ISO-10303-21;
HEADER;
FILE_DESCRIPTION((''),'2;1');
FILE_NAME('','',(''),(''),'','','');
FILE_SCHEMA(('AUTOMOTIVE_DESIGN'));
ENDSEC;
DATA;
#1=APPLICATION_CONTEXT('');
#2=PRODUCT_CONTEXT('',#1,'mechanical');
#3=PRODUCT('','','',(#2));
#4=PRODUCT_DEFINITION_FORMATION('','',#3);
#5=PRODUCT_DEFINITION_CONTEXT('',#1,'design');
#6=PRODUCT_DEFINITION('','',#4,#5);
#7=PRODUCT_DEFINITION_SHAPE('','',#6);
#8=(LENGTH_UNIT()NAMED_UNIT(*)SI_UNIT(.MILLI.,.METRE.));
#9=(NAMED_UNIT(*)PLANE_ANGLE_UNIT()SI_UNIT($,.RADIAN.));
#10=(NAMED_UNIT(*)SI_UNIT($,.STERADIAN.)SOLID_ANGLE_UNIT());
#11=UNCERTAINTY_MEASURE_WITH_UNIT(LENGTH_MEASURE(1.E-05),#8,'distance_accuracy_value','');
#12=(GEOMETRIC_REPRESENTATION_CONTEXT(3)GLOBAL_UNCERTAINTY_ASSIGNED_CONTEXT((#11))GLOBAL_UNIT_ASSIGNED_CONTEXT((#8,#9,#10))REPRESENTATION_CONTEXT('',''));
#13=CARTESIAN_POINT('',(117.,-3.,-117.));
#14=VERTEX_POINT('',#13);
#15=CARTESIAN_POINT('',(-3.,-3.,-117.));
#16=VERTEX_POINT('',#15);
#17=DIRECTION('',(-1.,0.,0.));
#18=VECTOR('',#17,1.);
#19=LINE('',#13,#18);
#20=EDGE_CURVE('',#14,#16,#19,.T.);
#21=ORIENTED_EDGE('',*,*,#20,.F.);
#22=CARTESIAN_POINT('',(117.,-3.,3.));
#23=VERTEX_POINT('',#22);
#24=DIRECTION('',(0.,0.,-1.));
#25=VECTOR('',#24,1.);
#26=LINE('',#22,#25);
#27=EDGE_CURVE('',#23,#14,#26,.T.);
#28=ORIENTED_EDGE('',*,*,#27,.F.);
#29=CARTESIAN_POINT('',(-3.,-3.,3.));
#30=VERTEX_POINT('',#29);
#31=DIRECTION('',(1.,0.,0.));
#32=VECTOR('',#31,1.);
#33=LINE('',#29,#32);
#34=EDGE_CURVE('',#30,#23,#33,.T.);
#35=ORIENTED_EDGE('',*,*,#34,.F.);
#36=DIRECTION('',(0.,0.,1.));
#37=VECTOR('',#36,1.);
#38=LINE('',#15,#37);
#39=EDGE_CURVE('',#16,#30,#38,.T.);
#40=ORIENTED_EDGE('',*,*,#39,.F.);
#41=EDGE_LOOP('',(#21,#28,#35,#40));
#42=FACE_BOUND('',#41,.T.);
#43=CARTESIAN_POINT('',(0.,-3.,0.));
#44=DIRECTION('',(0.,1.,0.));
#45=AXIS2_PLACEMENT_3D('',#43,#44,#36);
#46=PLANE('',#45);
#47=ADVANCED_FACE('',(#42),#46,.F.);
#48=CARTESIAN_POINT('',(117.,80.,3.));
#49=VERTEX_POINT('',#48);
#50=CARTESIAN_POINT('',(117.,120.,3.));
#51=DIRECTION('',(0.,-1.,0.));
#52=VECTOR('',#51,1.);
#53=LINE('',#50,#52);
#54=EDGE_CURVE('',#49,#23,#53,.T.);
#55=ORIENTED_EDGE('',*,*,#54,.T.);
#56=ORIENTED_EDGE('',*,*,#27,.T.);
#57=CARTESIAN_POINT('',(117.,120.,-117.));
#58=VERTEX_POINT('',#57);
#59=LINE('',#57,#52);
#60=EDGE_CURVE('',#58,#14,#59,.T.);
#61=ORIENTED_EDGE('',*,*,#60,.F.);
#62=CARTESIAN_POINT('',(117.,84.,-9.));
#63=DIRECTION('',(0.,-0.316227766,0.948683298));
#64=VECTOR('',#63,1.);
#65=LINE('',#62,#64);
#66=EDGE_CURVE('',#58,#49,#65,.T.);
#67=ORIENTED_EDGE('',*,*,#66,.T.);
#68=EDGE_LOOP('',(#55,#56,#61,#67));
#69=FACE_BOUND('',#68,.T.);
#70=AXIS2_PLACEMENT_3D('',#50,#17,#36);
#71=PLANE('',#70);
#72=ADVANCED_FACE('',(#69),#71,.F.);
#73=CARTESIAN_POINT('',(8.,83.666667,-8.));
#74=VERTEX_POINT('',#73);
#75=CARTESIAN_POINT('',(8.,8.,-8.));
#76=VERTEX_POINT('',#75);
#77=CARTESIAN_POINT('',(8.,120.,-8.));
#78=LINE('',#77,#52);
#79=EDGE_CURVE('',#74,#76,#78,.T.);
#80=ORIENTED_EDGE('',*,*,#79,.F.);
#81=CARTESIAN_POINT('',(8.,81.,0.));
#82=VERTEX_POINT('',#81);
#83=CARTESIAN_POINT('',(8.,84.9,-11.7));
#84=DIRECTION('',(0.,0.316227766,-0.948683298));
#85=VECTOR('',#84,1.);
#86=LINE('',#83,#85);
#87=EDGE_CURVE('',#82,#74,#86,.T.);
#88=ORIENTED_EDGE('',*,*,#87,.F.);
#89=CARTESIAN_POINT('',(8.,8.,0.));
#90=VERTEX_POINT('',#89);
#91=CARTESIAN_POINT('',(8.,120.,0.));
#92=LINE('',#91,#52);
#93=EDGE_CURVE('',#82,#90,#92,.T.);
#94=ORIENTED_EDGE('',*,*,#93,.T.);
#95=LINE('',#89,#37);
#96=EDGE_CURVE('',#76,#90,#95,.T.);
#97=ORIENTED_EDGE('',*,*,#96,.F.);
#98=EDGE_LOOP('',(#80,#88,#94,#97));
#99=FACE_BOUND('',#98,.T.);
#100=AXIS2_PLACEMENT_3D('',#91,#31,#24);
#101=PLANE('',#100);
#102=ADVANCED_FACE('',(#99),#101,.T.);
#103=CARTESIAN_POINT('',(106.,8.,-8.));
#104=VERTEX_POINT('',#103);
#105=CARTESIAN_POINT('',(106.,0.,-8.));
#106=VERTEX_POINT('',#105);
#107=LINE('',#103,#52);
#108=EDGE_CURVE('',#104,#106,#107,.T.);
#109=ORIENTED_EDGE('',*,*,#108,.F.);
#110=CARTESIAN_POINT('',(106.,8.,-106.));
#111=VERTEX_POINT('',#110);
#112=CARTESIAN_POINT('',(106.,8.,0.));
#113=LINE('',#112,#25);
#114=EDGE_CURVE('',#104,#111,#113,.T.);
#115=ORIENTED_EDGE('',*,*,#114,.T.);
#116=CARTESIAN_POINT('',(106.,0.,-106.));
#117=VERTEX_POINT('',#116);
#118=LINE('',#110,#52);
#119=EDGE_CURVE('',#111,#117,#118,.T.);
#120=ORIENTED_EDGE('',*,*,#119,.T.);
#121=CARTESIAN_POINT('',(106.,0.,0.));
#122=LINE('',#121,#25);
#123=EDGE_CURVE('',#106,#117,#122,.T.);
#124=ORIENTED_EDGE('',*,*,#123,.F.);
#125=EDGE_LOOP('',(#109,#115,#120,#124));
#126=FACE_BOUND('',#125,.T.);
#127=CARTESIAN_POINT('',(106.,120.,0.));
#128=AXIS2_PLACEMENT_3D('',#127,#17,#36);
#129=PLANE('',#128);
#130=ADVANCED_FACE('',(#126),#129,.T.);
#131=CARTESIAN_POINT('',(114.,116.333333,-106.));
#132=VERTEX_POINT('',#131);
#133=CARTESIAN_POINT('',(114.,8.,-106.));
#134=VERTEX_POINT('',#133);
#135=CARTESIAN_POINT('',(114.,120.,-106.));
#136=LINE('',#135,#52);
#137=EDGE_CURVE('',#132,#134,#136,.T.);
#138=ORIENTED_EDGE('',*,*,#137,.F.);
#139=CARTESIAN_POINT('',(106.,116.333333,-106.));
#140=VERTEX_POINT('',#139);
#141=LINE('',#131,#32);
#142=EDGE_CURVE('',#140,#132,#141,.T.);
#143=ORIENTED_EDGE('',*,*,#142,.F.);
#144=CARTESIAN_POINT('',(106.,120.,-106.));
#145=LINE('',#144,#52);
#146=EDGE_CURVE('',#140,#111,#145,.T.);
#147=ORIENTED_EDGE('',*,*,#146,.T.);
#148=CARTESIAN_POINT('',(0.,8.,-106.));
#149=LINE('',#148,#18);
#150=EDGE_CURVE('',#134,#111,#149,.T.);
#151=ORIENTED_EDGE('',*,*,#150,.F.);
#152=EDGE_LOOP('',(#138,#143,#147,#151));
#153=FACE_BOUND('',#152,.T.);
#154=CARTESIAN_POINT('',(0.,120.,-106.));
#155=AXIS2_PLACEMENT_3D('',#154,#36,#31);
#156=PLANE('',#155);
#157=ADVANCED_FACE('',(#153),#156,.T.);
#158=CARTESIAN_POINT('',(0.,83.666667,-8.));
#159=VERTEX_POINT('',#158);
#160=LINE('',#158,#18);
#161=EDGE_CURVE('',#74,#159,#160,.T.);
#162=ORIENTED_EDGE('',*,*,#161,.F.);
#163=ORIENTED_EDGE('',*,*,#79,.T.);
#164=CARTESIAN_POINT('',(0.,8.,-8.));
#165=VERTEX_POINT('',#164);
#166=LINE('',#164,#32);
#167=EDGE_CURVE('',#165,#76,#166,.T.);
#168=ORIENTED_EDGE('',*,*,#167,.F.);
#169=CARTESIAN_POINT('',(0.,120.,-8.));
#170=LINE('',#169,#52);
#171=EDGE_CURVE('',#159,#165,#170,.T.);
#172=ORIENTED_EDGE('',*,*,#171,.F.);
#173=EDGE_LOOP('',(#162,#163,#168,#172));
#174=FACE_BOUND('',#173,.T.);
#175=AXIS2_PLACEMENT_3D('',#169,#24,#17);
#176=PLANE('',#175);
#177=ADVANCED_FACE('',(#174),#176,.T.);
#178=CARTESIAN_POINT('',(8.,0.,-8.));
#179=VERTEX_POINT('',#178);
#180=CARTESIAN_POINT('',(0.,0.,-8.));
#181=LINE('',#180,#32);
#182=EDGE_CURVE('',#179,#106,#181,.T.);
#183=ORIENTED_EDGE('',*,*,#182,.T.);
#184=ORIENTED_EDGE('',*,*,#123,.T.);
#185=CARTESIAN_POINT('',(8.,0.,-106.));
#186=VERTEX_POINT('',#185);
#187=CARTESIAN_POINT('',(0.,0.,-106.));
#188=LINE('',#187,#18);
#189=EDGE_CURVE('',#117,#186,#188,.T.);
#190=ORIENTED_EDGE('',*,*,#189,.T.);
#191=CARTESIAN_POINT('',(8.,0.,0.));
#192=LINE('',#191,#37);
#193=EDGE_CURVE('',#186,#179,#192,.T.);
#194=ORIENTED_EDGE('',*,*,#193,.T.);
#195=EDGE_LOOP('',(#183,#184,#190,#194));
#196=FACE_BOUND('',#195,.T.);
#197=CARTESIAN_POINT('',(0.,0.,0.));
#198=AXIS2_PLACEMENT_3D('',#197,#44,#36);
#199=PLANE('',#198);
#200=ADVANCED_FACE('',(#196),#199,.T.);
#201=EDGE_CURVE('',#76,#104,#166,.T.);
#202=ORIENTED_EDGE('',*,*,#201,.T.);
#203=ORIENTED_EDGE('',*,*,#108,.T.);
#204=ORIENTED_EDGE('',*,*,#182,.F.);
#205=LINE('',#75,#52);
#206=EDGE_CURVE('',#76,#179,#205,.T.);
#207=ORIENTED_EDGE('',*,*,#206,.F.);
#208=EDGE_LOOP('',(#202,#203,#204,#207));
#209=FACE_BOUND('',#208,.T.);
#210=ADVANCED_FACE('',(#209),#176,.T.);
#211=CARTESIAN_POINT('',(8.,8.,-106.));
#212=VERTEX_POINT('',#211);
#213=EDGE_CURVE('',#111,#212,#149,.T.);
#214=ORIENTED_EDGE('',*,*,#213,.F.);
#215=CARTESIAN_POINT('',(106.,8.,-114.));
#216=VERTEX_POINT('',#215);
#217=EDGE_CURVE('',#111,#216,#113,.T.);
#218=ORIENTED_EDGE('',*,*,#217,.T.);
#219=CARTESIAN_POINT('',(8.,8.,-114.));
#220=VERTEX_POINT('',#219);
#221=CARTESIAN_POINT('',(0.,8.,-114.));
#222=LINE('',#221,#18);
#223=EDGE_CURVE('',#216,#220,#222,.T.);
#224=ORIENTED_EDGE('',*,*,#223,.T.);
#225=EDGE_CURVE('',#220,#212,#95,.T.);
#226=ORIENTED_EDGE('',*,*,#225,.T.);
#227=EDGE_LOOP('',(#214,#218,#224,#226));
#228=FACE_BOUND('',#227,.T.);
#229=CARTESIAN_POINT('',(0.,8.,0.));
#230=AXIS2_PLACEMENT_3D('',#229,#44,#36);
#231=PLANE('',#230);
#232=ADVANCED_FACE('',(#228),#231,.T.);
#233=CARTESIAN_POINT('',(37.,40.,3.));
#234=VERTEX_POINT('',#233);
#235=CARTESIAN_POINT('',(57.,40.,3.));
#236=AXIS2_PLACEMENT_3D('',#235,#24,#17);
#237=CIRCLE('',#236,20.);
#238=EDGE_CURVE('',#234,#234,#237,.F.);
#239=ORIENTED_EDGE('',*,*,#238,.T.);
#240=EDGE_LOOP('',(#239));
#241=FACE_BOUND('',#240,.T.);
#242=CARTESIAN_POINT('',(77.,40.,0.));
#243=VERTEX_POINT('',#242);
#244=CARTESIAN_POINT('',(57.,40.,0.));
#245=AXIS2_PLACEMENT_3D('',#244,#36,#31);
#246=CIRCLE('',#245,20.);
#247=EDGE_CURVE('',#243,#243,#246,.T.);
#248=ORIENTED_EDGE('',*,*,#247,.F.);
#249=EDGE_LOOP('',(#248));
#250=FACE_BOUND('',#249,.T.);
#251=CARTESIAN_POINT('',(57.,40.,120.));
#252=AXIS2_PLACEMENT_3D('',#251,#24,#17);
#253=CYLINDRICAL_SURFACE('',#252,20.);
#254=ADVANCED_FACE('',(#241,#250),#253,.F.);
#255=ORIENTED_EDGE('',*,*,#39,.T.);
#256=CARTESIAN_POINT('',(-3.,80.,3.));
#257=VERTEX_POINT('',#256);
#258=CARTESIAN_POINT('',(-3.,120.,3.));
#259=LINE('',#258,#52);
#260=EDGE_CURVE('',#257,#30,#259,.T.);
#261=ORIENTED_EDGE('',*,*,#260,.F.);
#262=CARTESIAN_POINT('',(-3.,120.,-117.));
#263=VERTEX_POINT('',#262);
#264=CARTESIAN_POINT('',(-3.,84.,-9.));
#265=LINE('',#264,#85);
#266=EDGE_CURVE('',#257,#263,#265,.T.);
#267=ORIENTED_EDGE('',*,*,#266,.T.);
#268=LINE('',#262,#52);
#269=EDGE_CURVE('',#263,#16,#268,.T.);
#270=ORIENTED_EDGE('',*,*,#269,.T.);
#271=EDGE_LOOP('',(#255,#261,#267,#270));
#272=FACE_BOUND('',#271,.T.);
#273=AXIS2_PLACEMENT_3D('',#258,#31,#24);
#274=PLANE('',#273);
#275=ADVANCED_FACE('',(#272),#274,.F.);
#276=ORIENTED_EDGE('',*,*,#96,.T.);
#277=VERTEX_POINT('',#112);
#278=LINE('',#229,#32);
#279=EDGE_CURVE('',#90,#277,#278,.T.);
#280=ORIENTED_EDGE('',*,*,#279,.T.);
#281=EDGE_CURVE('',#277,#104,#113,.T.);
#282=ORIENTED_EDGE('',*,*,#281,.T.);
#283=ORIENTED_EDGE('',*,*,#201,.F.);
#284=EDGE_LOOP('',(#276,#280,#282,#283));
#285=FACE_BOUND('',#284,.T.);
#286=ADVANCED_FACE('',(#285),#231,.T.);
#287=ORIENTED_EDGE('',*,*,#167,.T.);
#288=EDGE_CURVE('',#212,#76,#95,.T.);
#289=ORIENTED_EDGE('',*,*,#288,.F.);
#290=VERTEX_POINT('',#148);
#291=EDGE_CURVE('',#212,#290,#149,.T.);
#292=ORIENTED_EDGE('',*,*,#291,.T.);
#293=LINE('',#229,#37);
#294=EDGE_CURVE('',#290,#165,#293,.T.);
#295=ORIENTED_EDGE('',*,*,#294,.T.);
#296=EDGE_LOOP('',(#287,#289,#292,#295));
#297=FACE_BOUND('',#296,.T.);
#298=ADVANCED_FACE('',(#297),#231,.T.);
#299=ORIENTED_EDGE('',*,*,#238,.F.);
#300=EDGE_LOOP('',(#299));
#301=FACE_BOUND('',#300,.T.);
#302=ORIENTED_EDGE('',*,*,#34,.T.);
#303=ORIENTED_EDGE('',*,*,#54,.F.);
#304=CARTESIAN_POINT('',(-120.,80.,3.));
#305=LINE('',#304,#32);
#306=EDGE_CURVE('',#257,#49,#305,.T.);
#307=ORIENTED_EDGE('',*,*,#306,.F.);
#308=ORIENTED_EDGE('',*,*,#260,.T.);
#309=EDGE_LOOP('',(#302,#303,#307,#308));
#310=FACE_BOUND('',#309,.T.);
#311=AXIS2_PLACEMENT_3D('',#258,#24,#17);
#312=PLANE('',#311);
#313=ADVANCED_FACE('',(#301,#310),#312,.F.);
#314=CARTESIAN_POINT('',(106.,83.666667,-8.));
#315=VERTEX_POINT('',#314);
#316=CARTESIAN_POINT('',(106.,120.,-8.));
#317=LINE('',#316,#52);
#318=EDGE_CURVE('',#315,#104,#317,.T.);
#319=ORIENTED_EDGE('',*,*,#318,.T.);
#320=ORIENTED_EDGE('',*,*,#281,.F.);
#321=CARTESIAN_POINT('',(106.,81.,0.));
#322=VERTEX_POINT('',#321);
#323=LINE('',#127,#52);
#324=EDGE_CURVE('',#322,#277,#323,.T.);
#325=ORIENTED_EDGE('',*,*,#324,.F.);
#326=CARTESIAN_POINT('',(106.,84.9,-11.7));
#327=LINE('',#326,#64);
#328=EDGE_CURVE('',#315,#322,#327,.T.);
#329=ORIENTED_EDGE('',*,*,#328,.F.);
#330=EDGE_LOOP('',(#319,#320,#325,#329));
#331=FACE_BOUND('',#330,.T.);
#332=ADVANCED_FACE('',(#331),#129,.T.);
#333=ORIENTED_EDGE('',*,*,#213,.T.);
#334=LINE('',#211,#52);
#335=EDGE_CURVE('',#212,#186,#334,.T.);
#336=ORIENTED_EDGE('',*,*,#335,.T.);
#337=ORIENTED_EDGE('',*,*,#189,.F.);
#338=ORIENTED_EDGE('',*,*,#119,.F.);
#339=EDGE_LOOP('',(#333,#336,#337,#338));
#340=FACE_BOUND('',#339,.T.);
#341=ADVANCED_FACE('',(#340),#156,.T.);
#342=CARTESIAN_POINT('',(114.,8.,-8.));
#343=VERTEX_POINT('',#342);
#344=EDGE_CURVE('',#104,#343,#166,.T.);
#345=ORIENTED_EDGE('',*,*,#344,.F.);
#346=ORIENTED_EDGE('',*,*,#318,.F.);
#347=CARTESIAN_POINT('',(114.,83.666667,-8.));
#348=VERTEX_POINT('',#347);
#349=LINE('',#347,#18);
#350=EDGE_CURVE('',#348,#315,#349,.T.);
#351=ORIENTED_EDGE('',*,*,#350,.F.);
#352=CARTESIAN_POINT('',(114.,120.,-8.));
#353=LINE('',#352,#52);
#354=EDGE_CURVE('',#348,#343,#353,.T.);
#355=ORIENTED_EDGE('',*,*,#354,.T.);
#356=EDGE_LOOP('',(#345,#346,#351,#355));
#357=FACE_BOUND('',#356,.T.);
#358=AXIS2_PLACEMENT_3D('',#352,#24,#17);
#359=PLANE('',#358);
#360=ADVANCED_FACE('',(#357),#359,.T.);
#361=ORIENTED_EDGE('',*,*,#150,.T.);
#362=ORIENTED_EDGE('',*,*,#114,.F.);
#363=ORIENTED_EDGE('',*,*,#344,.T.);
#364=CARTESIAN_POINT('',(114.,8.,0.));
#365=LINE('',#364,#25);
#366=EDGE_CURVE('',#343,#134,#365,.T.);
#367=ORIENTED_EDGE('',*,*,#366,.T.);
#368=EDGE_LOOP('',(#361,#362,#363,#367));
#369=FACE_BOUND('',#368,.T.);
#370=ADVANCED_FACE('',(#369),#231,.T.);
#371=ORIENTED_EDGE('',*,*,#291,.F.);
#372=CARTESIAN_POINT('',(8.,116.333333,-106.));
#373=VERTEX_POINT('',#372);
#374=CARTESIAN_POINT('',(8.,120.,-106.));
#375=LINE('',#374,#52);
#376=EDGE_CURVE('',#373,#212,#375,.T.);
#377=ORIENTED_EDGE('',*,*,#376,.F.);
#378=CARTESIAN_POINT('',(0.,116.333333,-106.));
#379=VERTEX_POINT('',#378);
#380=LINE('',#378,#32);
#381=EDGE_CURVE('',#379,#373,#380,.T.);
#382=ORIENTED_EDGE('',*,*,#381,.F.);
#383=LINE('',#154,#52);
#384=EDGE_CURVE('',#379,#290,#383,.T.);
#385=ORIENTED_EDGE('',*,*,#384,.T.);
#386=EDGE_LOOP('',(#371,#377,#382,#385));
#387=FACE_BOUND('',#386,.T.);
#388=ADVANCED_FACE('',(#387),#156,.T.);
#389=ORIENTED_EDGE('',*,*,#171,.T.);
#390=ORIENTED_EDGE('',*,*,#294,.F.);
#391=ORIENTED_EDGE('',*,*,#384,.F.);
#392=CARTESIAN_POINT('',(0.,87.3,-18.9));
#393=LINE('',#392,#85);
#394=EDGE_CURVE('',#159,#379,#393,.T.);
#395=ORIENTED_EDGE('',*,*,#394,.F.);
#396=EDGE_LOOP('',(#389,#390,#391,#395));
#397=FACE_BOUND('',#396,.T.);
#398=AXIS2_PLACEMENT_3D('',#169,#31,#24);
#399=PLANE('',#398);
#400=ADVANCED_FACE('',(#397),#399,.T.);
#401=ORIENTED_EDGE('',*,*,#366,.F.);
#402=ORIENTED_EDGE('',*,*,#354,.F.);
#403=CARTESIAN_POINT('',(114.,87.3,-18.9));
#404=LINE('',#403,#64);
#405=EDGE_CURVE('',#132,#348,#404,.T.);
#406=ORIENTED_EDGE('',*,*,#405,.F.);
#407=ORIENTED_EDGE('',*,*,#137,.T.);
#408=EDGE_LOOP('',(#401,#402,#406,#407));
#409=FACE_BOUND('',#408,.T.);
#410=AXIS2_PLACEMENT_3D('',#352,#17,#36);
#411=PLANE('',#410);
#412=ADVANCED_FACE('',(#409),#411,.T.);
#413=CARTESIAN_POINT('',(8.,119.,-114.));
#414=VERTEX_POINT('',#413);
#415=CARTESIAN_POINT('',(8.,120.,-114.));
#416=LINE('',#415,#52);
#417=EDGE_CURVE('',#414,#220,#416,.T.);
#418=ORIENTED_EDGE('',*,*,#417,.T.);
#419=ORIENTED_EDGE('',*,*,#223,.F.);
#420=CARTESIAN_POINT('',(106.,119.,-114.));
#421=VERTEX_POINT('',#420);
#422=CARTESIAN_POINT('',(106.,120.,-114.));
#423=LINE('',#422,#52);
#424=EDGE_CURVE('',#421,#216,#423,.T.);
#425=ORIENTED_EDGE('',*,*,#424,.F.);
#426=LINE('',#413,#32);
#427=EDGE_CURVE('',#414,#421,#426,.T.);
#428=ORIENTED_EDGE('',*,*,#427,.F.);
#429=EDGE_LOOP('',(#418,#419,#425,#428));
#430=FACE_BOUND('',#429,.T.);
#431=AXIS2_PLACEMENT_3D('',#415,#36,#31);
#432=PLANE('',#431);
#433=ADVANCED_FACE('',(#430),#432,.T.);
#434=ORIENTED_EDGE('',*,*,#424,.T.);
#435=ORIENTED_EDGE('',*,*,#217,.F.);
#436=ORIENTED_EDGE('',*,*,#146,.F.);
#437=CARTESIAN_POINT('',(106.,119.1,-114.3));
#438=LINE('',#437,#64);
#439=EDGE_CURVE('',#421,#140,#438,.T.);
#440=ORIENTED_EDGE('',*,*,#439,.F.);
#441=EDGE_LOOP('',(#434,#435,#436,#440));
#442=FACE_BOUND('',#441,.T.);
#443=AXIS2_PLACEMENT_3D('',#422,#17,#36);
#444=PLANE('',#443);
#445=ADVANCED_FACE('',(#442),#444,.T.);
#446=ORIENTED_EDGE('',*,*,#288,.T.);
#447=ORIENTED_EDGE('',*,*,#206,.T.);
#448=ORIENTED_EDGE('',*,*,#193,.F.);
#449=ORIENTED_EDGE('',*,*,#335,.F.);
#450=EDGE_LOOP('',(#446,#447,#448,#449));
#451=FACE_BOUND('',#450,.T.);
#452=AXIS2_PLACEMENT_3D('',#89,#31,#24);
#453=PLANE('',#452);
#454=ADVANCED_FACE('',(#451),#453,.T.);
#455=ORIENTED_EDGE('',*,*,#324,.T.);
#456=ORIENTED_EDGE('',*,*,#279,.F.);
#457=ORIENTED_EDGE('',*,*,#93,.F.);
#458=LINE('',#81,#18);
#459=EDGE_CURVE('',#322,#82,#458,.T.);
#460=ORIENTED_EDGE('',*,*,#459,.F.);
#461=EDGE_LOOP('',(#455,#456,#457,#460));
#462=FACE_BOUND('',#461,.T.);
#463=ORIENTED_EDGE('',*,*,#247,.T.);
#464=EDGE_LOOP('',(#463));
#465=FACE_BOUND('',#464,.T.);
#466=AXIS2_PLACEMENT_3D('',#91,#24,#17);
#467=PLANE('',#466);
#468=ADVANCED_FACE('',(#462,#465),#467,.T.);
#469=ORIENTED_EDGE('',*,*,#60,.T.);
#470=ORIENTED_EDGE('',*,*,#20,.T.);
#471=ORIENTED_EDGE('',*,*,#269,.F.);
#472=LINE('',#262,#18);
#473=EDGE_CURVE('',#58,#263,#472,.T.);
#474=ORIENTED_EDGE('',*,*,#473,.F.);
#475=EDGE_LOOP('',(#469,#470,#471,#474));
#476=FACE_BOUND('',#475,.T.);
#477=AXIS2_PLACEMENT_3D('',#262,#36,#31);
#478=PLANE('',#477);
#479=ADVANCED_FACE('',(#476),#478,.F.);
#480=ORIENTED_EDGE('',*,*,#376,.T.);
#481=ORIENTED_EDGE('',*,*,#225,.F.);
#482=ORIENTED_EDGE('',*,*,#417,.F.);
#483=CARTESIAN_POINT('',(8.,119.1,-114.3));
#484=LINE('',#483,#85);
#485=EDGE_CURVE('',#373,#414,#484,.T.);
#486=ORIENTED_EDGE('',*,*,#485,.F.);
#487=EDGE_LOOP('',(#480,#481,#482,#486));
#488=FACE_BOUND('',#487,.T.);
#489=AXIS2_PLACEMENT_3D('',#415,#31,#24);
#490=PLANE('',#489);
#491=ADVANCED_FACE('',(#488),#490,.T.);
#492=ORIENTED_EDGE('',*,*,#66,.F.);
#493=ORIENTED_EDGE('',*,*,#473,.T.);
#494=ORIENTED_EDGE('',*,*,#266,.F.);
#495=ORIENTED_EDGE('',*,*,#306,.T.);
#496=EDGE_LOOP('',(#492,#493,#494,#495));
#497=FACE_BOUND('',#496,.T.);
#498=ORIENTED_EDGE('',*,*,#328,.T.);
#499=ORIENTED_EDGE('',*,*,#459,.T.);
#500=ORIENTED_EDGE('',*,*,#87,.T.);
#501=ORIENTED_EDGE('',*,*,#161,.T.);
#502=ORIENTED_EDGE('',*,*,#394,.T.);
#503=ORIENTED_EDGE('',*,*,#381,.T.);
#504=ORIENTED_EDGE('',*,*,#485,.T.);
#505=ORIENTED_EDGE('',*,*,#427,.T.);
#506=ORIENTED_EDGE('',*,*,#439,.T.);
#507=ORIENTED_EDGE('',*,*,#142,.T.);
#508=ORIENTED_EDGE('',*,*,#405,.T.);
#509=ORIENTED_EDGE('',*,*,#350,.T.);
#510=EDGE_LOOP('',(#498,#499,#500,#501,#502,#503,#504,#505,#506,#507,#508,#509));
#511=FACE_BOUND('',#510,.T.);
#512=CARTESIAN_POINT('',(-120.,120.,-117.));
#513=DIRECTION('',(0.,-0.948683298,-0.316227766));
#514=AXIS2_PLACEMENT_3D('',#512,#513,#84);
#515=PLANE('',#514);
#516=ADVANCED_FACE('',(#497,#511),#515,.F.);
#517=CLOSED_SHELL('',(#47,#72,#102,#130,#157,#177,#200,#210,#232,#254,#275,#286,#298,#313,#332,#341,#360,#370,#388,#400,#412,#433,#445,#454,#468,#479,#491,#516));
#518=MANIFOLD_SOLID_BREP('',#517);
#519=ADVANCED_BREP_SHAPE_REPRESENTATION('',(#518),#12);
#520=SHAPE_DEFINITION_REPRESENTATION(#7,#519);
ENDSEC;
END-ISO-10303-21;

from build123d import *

# Parameters (mm, degrees)
CROQUIS1_W                 = 120
CROQUIS1_H                 = 120
SALIENTE_EXTRUIR1_DEPTH    = 120
CORTAR_EXTRUIR1_DEPTH      = 120
CORTAR_EXTRUIR1_DEPTH_BACK = 120
CROQUIS3_R                 = 20
CORTAR_EXTRUIR2_DEPTH      = 120
CROQUIS4_W                 = 120
CROQUIS4_H                 = 120
SALIENTE_EXTRUIR2_DEPTH    = 3
CROQUIS4_3_W               = 98
CROQUIS4_3_H               = 8
CROQUIS4_3_W_2             = 8
CROQUIS4_3_H_2             = 98
SALIENTE_EXTRUIR3_DEPTH    = 8


with BuildPart() as part:
    # Croquis1 → Saliente-Extruir1 (new body)
    with BuildSketch(Plane(origin=(0, 0, 0), x_dir=(1, 0, 0), z_dir=(0, 1, 0))):
        with Locations((57, 57)):
            Rectangle(CROQUIS1_W, CROQUIS1_H)
        Polygon((8, 0), (106, 0), (106, 8), (114, 8), (114, 106), (106, 106), (106, 114), (8, 114), (8, 106), (0, 106), (0, 8), (8, 8), align=None, mode=Mode.SUBTRACT)
    extrude(amount=SALIENTE_EXTRUIR1_DEPTH)

    # Croquis2 → Cortar-Extruir1 (cut, two sides: drawn at the far end of the back side and taken through both)
    with BuildSketch(Plane(origin=(0, 0, 0), x_dir=(0, 0, -1), z_dir=(1, 0, 0)).offset(-CORTAR_EXTRUIR1_DEPTH_BACK)):
        Polygon((117, 120), (-3, 80), (-3, 120), align=None)
    extrude(amount=CORTAR_EXTRUIR1_DEPTH + CORTAR_EXTRUIR1_DEPTH_BACK, mode=Mode.SUBTRACT)

    # Croquis3 → Cortar-Extruir2 (cut)
    with BuildSketch(Plane.XY):
        with Locations((57, 40)):
            Circle(CROQUIS3_R)
    extrude(amount=CORTAR_EXTRUIR2_DEPTH, mode=Mode.SUBTRACT)

    # Croquis4 → Saliente-Extruir2 (add)
    with BuildSketch(Plane(origin=(0, 0, 0), x_dir=(1, 0, 0), z_dir=(0, 1, 0))):
        with Locations((57, 57)):
            Rectangle(CROQUIS4_W, CROQUIS4_H)
    extrude(amount=-SALIENTE_EXTRUIR2_DEPTH)

    # Croquis4<3> → Saliente-Extruir3 (add)
    with BuildSketch(Plane(origin=(0, 0, 0), x_dir=(1, 0, 0), z_dir=(0, 1, 0))):
        with Locations((57, 110)):
            Rectangle(CROQUIS4_3_W, CROQUIS4_3_H)
        with Locations((4, 57)):
            Rectangle(CROQUIS4_3_W_2, CROQUIS4_3_H_2)
        with Locations((57, 4)):
            Rectangle(CROQUIS4_3_W, CROQUIS4_3_H)
        with Locations((110, 57)):
            Rectangle(CROQUIS4_3_W_2, CROQUIS4_3_H_2)
    extrude(amount=SALIENTE_EXTRUIR3_DEPTH)


solid = part.part
